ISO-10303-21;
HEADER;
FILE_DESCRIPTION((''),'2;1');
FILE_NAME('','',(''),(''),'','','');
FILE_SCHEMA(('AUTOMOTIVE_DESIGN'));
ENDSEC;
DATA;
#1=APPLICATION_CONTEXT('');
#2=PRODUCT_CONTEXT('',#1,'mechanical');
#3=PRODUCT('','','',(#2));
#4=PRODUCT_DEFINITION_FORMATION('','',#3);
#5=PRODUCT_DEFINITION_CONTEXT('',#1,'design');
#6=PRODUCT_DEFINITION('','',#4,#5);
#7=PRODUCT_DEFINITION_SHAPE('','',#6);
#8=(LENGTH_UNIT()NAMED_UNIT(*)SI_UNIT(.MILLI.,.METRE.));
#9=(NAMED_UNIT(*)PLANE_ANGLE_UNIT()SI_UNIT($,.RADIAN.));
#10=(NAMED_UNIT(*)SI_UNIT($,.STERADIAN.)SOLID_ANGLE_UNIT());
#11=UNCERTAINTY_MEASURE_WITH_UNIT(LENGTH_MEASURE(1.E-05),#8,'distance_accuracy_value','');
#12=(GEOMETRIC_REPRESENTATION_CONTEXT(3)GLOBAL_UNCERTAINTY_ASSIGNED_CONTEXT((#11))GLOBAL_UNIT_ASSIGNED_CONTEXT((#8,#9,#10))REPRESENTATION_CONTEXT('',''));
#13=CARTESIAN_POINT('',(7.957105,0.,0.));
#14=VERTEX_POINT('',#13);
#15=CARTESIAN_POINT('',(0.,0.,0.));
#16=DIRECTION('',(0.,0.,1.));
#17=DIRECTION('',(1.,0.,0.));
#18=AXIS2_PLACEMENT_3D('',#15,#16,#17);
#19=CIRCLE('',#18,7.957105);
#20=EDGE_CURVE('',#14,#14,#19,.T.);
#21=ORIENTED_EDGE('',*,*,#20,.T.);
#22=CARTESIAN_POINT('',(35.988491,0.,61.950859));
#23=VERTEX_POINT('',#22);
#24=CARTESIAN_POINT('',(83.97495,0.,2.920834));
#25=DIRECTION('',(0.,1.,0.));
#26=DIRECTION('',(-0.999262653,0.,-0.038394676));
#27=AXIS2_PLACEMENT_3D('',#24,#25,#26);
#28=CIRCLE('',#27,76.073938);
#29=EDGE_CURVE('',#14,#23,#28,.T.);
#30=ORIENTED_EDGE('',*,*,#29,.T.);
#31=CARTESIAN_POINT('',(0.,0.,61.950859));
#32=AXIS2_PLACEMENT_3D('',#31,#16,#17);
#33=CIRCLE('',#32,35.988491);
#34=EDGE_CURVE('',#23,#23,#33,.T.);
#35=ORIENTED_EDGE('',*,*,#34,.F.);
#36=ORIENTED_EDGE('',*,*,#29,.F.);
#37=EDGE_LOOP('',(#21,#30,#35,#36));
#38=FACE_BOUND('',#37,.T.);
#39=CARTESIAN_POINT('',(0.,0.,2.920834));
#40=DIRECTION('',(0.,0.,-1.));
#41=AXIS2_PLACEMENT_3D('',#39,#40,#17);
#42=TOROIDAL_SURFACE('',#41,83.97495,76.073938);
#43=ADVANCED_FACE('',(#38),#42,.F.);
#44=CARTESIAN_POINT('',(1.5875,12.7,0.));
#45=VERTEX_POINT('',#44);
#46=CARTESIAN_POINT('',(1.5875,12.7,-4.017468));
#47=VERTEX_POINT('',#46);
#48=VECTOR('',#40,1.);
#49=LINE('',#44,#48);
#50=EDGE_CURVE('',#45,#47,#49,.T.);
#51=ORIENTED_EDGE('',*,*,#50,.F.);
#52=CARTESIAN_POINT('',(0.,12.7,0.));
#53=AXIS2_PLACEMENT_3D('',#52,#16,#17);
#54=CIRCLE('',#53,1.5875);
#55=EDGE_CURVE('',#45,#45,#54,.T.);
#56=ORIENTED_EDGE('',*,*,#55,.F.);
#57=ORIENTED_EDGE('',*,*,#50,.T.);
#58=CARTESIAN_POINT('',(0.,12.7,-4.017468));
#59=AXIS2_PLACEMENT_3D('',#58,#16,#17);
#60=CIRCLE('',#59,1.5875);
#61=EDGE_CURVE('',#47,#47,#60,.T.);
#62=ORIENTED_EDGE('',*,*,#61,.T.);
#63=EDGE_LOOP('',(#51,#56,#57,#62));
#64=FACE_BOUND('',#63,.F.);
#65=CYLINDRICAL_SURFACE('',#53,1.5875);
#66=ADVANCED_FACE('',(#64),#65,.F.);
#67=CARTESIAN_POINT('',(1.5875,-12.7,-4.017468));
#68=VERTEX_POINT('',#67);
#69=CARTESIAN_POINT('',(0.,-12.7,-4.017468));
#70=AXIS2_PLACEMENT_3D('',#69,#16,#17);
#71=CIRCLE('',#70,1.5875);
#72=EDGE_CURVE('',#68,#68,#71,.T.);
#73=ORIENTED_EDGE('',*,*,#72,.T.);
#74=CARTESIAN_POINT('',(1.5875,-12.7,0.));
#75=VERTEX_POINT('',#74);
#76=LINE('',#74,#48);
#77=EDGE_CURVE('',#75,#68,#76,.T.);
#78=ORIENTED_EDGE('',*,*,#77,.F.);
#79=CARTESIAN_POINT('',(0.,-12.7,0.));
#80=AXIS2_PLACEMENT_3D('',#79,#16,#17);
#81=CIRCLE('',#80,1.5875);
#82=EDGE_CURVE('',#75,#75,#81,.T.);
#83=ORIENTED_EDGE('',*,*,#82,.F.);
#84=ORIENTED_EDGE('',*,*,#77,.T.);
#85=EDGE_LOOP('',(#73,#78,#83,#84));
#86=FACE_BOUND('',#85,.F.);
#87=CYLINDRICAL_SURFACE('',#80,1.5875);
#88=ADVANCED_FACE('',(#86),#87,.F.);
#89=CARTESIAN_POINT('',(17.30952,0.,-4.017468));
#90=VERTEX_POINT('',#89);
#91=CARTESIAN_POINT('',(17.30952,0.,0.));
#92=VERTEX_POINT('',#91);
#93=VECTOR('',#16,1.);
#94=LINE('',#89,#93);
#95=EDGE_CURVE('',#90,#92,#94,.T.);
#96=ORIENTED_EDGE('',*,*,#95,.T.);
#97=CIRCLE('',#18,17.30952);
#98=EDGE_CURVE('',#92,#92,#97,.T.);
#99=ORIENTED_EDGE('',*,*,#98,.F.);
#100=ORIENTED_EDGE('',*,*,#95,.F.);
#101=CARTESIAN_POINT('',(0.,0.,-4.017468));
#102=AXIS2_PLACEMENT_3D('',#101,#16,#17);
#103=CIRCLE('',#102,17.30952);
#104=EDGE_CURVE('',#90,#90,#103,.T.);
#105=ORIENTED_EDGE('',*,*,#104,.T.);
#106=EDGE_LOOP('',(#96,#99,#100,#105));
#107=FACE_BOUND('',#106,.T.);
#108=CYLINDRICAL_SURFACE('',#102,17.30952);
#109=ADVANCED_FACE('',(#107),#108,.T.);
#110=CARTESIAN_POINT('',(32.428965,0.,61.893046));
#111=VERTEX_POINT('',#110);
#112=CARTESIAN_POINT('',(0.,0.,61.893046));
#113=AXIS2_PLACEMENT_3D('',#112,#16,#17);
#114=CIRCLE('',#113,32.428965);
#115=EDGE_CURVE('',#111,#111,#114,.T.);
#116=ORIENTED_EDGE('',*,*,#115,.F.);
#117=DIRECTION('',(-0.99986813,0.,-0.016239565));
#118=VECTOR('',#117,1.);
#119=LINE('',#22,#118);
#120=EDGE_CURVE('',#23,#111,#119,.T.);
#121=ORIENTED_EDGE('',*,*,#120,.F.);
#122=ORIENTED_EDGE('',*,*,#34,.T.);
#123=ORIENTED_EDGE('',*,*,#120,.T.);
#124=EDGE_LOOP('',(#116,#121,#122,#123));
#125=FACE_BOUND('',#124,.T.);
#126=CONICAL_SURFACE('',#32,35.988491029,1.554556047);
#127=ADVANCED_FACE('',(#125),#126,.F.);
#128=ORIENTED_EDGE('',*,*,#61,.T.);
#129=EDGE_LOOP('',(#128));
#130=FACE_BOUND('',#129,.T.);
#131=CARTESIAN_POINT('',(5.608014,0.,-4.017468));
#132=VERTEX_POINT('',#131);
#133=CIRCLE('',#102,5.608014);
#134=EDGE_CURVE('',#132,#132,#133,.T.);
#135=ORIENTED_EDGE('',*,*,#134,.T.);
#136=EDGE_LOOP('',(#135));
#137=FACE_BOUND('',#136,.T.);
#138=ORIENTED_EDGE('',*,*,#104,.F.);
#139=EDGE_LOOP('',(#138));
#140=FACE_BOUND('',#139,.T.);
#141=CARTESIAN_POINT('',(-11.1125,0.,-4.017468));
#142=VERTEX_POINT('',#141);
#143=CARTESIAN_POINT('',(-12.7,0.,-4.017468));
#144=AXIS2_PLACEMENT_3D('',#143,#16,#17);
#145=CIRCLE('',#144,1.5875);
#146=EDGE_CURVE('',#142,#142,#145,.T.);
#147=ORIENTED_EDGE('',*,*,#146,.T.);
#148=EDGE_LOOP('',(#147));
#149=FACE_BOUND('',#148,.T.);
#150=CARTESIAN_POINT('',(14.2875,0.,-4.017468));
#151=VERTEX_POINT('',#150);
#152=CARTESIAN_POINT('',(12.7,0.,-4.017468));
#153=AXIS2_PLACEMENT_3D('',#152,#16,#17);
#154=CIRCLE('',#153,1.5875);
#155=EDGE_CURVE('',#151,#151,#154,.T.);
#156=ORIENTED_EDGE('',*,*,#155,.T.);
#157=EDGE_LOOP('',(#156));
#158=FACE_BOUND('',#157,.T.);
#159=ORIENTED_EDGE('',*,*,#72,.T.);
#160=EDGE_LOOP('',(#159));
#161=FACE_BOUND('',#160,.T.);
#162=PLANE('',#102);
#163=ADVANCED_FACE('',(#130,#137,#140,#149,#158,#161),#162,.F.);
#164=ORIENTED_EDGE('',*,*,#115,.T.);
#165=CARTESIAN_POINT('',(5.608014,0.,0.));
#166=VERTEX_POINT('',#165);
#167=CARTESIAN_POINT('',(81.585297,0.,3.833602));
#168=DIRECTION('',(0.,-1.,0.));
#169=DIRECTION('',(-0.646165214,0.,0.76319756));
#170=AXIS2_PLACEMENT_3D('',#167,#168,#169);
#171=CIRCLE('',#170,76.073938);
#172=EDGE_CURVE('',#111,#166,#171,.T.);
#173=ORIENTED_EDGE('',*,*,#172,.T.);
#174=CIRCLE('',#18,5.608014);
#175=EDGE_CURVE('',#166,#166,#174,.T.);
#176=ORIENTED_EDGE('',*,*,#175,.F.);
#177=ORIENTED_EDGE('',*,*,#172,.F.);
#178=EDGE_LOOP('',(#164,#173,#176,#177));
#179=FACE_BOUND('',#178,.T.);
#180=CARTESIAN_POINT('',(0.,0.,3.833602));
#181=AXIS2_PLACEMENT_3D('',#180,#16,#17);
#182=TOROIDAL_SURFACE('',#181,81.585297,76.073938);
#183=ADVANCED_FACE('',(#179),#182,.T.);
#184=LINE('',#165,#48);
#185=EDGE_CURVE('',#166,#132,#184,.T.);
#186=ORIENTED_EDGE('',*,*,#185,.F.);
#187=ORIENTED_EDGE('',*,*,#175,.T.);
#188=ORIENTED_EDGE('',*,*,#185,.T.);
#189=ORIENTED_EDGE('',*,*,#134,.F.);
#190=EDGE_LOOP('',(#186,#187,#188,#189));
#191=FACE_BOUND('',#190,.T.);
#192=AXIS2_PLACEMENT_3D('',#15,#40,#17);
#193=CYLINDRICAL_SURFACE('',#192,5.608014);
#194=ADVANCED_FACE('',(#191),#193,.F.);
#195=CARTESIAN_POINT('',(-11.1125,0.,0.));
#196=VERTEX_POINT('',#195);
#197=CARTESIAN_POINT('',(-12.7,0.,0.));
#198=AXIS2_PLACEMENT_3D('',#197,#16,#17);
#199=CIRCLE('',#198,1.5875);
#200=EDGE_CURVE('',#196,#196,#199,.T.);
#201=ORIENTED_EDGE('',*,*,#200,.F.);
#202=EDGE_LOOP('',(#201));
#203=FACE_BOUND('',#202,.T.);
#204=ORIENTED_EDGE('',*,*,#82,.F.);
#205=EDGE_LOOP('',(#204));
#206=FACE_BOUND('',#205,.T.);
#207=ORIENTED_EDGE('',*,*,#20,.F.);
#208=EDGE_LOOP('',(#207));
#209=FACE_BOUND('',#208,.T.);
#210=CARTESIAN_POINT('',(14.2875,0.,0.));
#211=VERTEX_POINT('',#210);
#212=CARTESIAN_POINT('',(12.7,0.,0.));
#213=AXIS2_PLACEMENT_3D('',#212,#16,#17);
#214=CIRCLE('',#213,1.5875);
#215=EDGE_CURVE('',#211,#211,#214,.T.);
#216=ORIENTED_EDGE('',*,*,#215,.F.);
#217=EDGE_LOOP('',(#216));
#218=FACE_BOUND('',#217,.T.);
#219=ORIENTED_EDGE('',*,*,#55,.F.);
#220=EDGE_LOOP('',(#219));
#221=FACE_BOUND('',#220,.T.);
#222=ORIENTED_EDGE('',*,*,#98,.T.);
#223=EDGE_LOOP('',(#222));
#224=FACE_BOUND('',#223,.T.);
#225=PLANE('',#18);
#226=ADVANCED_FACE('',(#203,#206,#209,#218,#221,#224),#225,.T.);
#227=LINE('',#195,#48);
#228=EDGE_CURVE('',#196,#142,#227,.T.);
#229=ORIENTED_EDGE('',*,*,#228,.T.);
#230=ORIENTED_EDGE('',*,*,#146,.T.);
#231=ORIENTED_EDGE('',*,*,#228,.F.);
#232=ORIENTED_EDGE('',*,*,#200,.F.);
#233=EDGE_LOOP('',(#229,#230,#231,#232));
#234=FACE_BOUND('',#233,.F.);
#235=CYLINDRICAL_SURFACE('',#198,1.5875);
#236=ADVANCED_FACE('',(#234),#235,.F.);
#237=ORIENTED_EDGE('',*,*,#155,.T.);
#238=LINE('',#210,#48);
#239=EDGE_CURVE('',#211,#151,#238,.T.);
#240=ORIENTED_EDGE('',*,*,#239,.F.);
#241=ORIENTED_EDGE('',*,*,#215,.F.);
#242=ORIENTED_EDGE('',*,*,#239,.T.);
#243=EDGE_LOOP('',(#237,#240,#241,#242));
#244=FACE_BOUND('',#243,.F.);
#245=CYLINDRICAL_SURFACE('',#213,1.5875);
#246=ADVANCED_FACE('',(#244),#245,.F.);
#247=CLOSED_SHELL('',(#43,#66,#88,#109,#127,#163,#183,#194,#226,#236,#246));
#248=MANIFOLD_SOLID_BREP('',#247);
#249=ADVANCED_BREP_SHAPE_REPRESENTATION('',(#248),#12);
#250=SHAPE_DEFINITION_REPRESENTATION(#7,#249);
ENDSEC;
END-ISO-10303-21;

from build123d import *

# Parameters (mm, degrees)
F3_D     = 3.175
F3_DEPTH = 4.0184676105


with BuildPart() as f1:
    # F0 (on Front) → F1 (revolve)
    with BuildSketch(Plane.XZ):
        with BuildLine():
            ThreePointArc((7.9571050592, 0), (14.6659024959, 34.2816370952), (35.9884910285, 61.9508586824))
            Line((35.9884910285, 61.9508586824), (32.4289649725, 61.8930459023))
            ThreePointArc((32.4289649725, 61.8930459023), (11.7834871411, 34.0817644341), (5.6080142967, 0))
            Line((5.6080142967, 0), (7.9571050592, 0))
        make_face()
        Polygon((17.3095203936, 0), (7.9571050592, 0), (5.6080142967, 0), (5.6080142967, -4.0174676105), (17.3095203936, -4.0174676105), align=None)
    revolve(axis=Axis((0, 0, 30.9754293412), (0, 0, 1)))

    # F3 (through all, one way)
    with BuildSketch(Plane.XY):
        with Locations((-12.7, 0), (0, -12.7), (12.7, 0), (0, 12.7)):
            Circle(F3_D / 2)
    extrude(amount=-F3_DEPTH, mode=Mode.SUBTRACT)


solid = f1.part
